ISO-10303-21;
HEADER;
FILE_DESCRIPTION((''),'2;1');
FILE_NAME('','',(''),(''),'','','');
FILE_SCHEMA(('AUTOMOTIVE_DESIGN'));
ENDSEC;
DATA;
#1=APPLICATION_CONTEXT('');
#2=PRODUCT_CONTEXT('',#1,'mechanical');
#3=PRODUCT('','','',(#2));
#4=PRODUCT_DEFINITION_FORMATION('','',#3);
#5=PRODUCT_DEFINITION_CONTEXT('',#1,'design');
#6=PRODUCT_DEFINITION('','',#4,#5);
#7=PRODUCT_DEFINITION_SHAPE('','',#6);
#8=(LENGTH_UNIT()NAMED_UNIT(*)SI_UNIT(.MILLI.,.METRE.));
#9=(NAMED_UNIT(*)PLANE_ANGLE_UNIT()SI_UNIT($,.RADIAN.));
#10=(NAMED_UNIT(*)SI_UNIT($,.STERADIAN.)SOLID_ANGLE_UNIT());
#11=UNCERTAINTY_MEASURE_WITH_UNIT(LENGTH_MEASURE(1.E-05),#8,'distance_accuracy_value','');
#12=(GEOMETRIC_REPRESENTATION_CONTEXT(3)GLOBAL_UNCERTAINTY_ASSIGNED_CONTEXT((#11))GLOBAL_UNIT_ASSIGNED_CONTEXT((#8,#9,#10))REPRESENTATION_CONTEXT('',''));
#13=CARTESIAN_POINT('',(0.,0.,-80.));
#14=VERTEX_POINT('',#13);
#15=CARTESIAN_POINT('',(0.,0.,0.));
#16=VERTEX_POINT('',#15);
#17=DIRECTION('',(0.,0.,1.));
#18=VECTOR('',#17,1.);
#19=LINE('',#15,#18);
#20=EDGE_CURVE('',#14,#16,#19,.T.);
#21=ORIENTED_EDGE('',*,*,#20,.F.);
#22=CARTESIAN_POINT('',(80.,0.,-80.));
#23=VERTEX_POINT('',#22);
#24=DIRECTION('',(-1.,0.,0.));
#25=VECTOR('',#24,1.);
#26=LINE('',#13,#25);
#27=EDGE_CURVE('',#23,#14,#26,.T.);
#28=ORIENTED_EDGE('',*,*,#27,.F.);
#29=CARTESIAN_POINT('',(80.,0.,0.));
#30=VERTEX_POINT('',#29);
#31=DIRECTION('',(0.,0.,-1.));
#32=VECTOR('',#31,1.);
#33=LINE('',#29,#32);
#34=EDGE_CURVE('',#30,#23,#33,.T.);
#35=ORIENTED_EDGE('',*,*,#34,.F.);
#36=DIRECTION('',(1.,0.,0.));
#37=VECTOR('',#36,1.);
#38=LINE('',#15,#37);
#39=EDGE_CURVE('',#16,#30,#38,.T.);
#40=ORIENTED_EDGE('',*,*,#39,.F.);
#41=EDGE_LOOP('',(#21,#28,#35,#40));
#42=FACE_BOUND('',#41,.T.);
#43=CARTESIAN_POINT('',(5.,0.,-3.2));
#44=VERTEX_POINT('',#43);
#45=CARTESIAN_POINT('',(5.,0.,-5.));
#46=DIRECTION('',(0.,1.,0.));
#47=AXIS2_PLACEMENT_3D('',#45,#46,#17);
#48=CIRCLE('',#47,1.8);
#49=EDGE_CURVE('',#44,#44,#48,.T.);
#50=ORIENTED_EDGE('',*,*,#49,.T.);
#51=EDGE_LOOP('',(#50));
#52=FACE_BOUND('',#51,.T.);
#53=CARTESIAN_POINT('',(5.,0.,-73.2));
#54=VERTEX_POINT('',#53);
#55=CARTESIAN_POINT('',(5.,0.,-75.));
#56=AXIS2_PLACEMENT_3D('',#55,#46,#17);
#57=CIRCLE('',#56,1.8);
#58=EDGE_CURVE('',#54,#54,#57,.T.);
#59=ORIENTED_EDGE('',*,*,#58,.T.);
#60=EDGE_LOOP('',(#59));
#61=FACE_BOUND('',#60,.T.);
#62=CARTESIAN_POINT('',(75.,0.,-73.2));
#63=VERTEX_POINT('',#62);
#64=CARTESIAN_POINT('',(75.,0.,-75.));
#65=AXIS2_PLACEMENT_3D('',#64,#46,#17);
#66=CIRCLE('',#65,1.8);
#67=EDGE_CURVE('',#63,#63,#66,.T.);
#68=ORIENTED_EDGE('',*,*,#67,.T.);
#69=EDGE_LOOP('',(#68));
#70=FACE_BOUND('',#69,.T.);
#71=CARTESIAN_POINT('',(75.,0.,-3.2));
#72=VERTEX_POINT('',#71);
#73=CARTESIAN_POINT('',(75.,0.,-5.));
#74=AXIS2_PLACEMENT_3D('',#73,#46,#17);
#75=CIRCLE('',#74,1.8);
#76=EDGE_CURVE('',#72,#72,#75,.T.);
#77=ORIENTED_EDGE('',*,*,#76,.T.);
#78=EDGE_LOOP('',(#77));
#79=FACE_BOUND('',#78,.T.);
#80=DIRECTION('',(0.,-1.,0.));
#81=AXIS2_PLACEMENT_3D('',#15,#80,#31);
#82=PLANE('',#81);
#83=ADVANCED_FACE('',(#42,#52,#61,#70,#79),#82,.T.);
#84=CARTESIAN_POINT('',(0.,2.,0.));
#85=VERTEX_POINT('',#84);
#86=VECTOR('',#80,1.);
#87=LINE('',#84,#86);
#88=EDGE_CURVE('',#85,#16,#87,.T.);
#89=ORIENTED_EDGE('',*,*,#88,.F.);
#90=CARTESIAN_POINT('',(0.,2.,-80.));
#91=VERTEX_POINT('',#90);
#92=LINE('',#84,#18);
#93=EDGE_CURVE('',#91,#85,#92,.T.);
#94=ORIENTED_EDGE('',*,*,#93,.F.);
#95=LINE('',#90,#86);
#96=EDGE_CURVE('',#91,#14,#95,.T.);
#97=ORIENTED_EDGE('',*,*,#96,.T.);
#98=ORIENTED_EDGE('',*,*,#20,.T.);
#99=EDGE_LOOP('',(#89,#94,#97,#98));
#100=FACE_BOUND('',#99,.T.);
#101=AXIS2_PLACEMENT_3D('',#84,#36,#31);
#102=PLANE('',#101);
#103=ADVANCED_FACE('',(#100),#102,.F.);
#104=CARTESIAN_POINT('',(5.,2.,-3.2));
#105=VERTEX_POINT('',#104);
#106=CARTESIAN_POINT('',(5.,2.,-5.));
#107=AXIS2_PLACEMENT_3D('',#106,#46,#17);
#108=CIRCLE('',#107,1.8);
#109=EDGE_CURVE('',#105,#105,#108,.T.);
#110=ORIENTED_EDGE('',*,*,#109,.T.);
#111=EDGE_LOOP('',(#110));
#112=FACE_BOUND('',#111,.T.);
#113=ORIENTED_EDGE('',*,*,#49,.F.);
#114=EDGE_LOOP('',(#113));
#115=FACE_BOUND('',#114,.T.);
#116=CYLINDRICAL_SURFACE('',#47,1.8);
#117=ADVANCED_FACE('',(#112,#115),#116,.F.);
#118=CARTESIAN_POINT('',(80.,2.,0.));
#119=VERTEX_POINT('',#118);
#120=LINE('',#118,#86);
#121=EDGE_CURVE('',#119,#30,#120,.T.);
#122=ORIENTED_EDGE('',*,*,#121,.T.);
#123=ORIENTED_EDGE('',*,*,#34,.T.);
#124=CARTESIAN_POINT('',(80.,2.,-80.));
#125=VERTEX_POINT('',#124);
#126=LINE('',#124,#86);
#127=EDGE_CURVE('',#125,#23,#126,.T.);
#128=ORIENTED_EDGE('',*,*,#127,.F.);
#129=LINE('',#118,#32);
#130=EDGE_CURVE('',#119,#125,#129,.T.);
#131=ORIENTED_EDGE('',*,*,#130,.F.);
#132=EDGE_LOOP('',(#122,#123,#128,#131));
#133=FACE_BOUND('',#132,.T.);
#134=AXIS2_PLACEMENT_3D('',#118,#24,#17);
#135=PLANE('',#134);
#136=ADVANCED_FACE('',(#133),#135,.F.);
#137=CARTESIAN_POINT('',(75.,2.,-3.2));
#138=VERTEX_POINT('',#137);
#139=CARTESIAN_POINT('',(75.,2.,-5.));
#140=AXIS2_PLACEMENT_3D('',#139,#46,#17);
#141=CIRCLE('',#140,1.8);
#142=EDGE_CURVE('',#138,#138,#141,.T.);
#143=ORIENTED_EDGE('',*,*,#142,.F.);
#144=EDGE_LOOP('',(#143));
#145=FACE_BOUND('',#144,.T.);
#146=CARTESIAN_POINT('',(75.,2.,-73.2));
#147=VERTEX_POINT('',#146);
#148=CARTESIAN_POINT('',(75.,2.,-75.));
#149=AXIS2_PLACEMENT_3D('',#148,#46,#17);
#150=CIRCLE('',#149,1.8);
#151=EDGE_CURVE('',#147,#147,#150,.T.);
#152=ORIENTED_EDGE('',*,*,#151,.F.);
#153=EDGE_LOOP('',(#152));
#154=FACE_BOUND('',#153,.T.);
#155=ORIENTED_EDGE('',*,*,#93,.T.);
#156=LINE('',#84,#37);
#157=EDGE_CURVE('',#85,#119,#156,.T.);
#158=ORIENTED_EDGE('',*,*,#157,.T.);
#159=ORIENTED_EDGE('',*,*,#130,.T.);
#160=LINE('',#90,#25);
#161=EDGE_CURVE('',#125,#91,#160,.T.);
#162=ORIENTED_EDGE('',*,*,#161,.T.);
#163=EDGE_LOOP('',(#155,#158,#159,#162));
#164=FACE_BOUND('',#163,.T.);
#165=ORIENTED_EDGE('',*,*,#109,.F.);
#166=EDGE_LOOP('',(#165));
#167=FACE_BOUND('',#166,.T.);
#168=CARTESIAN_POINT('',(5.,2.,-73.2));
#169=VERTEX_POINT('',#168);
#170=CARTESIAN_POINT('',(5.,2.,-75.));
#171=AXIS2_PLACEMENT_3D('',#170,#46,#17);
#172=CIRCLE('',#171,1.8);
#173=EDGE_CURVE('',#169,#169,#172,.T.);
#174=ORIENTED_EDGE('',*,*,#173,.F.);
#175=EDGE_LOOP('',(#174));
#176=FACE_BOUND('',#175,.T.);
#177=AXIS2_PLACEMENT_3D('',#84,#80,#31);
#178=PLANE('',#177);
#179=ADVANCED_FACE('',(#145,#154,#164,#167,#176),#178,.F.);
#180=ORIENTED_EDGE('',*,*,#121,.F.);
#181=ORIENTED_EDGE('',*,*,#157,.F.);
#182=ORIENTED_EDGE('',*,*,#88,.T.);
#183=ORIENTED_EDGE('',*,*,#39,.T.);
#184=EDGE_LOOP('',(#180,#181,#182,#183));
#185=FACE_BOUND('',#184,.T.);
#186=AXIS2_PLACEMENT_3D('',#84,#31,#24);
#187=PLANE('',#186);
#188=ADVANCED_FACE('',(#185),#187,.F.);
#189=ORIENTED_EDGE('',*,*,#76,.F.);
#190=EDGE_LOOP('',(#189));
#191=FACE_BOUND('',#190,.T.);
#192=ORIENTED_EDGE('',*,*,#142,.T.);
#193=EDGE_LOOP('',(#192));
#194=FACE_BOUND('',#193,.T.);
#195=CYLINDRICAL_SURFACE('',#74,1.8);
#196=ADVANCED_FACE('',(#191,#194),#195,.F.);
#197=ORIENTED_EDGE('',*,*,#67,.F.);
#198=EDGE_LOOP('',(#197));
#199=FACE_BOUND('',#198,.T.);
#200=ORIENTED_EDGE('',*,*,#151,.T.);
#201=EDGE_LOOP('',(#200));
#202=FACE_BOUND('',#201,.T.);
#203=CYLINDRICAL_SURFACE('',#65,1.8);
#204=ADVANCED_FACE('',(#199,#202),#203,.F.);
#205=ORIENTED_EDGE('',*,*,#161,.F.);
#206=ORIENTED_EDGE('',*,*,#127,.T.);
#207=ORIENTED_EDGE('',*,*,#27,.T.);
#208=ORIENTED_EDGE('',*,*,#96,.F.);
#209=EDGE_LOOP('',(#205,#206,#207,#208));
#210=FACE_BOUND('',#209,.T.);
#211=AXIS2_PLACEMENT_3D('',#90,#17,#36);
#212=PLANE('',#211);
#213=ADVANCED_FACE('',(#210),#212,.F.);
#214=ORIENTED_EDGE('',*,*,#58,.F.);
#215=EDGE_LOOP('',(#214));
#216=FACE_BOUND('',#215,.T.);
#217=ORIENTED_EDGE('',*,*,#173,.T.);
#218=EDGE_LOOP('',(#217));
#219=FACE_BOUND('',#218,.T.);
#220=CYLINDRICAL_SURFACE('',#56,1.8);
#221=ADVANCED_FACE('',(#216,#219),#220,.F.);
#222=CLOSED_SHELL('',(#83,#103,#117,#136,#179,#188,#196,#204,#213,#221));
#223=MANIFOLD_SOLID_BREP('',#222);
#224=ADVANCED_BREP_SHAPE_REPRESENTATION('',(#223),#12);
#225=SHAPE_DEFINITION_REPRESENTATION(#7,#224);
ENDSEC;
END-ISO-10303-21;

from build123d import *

# Parameters (mm, degrees)
SKETCH1_W              = 80
SKETCH1_H              = 80
PCB_DEPTH              = 2
SKETCH2_R              = 1.8
ATTACHMENT_HOLES_DEPTH = 3
LPATTERN1_COUNT        = 2
LPATTERN1_PITCH        = 70
LPATTERN1_COUNT_DIR2   = 2
LPATTERN1_PITCH_DIR2   = 70


with BuildPart() as part:
    # Sketch1 → PCB (new body)
    with BuildSketch(Plane(origin=(0, 0, 0), x_dir=(1, 0, 0), z_dir=(0, 1, 0))):
        with Locations((40, 40)):
            Rectangle(SKETCH1_W, SKETCH1_H)
    extrude(amount=PCB_DEPTH)

    # Sketch2 → Attachment Holes (cut, through all)
    with BuildSketch(Plane(origin=(0, 2, 0), x_dir=(1, 0, 0), z_dir=(0, 1, 0))):
        with Locations((5, 75)):
            Circle(SKETCH2_R)
    attachment_holes = extrude(amount=-ATTACHMENT_HOLES_DEPTH, mode=Mode.SUBTRACT)

    # LPattern1: Attachment Holes 2 × 2
    with Locations(*[(i * LPATTERN1_PITCH, 0, j * LPATTERN1_PITCH_DIR2) for i in range(LPATTERN1_COUNT) for j in range(LPATTERN1_COUNT_DIR2) if (i, j) != (0, 0)]):
        add(attachment_holes, mode=Mode.SUBTRACT)


solid = part.part
